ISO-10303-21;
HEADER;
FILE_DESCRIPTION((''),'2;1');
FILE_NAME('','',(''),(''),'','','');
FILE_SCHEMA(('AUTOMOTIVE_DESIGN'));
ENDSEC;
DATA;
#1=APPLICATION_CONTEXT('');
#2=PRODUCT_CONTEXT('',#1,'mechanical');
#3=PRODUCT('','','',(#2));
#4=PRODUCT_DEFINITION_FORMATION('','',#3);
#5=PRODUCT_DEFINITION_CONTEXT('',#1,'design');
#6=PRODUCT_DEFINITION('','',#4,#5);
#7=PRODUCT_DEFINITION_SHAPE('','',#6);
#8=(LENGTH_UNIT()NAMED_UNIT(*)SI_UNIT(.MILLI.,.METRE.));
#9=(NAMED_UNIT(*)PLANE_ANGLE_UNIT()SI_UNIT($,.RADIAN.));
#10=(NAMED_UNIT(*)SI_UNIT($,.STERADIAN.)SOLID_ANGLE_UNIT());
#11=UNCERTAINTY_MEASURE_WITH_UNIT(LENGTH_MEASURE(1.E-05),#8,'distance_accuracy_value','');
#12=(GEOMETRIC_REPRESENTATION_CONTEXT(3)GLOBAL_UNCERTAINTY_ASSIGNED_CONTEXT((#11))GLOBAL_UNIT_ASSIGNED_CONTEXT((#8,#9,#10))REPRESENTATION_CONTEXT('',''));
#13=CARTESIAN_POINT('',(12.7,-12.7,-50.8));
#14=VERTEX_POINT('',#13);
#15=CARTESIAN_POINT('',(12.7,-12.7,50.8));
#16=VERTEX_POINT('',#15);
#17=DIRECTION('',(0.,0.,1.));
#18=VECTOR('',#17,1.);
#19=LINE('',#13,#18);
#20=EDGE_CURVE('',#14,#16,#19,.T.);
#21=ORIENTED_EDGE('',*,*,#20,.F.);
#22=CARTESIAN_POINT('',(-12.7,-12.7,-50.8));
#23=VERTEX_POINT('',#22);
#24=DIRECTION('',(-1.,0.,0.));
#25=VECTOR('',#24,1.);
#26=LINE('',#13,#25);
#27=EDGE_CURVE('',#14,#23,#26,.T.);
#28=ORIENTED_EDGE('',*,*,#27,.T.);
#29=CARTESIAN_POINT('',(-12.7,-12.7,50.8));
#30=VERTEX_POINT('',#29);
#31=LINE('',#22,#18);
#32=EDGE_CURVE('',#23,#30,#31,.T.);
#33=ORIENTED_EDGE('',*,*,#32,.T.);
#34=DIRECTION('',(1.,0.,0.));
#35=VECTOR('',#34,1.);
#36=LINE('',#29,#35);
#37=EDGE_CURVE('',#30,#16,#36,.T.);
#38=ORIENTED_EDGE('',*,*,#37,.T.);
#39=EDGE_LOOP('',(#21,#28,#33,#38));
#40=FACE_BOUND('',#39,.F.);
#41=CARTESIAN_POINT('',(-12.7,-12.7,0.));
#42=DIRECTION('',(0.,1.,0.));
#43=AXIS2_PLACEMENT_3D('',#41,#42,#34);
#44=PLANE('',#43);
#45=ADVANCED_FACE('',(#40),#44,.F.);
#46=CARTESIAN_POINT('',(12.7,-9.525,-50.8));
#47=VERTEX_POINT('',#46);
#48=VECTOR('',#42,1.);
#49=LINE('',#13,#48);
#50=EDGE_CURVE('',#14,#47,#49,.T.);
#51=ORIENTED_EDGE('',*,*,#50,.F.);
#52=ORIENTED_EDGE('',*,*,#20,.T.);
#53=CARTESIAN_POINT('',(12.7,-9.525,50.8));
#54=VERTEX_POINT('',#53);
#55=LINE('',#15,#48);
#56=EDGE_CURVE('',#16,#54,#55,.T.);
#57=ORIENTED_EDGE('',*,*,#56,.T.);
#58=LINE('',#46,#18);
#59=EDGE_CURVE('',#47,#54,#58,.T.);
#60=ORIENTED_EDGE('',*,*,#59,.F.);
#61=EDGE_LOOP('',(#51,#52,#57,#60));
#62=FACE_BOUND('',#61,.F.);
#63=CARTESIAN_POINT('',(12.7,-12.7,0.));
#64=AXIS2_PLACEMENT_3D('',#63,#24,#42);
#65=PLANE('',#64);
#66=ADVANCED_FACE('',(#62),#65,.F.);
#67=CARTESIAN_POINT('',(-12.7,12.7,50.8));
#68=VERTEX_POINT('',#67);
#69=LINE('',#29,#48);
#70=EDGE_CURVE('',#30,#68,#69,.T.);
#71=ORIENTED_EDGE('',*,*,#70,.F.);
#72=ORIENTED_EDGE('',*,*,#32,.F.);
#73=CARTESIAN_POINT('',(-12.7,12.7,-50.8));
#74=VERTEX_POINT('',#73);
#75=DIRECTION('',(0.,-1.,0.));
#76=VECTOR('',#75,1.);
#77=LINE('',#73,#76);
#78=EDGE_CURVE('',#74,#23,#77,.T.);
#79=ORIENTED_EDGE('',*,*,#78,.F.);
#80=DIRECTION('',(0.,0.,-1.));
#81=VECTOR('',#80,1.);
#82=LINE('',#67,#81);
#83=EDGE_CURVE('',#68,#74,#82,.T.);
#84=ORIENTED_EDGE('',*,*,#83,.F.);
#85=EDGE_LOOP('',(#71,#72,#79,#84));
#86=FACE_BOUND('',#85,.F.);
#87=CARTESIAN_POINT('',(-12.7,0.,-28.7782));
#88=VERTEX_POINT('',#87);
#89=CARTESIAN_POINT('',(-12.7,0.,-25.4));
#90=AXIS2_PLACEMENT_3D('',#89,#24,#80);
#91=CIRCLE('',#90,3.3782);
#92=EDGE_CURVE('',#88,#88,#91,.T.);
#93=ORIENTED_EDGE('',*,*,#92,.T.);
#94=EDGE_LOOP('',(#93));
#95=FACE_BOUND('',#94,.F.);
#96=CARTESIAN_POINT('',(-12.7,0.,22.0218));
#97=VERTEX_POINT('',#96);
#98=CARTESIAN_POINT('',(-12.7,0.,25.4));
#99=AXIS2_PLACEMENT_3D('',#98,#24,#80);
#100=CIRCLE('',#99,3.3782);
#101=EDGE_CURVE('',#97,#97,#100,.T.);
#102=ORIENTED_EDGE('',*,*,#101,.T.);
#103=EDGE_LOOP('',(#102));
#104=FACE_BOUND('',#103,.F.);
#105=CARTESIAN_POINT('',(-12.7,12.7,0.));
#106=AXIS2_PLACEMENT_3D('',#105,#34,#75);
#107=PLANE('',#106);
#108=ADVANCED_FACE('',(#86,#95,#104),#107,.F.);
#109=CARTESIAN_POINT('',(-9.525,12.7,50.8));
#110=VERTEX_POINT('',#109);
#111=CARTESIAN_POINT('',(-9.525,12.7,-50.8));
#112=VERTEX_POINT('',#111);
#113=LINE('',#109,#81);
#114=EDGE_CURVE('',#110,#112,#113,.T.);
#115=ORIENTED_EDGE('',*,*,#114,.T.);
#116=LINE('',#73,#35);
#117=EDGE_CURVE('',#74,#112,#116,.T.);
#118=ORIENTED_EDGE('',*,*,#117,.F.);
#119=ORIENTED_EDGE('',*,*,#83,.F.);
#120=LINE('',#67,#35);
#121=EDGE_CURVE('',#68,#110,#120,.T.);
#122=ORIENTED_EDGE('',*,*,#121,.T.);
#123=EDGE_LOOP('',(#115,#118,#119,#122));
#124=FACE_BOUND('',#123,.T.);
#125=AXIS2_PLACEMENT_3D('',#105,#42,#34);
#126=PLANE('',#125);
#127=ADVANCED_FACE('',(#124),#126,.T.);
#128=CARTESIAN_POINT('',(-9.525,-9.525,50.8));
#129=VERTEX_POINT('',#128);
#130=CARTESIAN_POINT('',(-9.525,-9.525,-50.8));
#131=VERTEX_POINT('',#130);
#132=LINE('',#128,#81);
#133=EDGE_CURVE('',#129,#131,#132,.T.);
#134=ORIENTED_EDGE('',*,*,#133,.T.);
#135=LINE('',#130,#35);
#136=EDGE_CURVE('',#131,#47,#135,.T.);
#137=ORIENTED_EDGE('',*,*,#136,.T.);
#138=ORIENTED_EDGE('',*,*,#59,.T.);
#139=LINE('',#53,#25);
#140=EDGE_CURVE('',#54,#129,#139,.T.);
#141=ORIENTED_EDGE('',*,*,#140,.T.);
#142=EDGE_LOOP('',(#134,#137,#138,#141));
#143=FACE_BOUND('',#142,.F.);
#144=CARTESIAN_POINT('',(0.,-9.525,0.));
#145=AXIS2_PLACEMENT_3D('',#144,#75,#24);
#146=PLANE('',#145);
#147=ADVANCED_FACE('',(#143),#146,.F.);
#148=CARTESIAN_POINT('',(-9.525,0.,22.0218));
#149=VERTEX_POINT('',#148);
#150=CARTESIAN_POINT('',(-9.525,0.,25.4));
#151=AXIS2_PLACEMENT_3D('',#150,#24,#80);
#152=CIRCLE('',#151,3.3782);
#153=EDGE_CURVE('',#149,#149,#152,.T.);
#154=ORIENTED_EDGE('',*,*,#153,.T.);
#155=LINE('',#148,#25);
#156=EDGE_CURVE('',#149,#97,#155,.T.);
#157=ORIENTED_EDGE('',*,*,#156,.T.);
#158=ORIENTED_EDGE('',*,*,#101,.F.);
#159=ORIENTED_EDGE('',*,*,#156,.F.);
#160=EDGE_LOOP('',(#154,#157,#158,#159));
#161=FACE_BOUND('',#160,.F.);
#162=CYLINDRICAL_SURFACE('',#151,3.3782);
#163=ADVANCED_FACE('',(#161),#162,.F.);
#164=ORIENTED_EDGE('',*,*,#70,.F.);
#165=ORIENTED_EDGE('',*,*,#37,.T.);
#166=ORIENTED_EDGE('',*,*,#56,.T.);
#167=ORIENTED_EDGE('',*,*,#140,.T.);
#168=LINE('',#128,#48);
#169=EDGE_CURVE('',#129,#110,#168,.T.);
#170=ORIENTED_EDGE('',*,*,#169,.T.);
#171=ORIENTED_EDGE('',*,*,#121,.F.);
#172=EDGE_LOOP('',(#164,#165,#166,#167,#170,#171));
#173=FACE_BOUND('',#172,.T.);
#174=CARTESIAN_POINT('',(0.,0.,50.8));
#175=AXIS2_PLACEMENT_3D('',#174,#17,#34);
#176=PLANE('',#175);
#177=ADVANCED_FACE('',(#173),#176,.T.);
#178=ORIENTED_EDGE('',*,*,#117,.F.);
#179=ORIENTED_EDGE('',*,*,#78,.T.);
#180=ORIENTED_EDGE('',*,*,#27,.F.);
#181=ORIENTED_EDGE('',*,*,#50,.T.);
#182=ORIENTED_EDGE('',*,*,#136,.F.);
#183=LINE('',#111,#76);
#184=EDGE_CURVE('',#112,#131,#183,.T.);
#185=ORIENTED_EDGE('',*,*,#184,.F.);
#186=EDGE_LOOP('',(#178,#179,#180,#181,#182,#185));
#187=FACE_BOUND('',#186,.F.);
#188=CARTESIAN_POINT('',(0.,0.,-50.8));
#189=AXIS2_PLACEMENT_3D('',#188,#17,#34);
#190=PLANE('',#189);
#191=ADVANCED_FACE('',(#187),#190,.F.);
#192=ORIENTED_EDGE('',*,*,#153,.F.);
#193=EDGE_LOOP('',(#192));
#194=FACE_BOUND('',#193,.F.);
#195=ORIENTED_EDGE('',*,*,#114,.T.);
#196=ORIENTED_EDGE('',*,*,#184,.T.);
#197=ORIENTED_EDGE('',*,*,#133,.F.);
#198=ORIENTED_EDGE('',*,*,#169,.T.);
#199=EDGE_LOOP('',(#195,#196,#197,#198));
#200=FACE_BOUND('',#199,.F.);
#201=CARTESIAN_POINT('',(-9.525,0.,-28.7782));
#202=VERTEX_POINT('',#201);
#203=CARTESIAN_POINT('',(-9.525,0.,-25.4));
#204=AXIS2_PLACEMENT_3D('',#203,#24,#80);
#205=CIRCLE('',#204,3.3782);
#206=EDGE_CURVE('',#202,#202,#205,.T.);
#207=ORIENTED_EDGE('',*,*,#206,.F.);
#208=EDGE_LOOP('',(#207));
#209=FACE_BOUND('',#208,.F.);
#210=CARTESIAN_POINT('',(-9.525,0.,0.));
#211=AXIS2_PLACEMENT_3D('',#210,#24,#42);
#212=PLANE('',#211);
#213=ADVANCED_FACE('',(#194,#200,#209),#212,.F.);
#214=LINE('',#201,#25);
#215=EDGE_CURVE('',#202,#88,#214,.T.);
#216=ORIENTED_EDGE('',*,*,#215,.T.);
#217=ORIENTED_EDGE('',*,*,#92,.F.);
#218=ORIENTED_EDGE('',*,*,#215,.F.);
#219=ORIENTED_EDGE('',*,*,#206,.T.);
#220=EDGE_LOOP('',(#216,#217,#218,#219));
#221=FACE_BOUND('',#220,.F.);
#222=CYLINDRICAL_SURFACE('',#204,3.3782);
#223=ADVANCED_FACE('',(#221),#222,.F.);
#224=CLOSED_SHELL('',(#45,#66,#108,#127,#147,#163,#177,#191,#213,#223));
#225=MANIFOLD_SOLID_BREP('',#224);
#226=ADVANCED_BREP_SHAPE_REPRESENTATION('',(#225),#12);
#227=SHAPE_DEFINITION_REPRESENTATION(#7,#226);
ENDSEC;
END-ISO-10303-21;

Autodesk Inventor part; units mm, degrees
ref_plane "YZ Plane" through (0, 0, 0) normal (1, 0, 0) x (0, 1, 0)
ref_plane "XZ Plane" through (0, 0, 0) normal (0, 1, 0) x (-1, 0, 0)
ref_plane "XY Plane" through (0, 0, 0) normal (0, 0, 1) x (1, 0, 0)
sketch "Sketch1" plane through (0, 0, 0) normal (0, 0, 1) x (1, 0, 0)
  line L0 (-17.78, 0) -> (17.78, 0) projected
  line L1 (0, -17.78) -> (0, 17.78) projected
  line L2 (-12.7, 12.7) -> (-12.7, -12.7)
  line L3 (-12.7, -12.7) -> (12.7, -12.7)
  line L4 (12.7, -9.525) -> (-9.525, -9.525)
  line L5 (-9.525, -9.525) -> (-9.525, 12.7)
  line L6 (-12.7, 12.7) -> (-9.525, 12.7)
  line L7 (12.7, -12.7) -> (12.7, -9.525)
  point P0 (0, 0)
  point P1 (-12.7, 0)
  point P2 (0, -12.7)
  dimension "d0" = 25.4
  dimension "d1" = 3.175
extrude "Extrusion1" add sketch "Sketch1" along normal mid plane 101.6 contours L2 L6 L5 L0 | L0 L5 L4 L1 L3 L2 | L1 L4 L7 L3
sketch "Sketch2" plane through (-9.525, -9.525, 50.8) normal (1, 0, 0) x (0, 0, -1)
  line L0 (0, 22.225) -> (0, 0) projected
  point P0 (50.8, 9.525)
  point P1 (25.4, 9.525)
  point P2 (76.2, 9.525)
  dimension "d4" = 50.8
  dimension "d5" = 25.4
hole "Hole1" at (-9.525, 0, 25.4) at (-9.525, 0, -25.4) direction (-1, 0, 0) diameter 6.7564 end through all clearance for "Flat Head Machine Screw (82)" size "1/4" standard "Ansi Unified Screw Threads"
properties part number "angle template al-6061 1x1x0.125" material "Aluminum-6061"
